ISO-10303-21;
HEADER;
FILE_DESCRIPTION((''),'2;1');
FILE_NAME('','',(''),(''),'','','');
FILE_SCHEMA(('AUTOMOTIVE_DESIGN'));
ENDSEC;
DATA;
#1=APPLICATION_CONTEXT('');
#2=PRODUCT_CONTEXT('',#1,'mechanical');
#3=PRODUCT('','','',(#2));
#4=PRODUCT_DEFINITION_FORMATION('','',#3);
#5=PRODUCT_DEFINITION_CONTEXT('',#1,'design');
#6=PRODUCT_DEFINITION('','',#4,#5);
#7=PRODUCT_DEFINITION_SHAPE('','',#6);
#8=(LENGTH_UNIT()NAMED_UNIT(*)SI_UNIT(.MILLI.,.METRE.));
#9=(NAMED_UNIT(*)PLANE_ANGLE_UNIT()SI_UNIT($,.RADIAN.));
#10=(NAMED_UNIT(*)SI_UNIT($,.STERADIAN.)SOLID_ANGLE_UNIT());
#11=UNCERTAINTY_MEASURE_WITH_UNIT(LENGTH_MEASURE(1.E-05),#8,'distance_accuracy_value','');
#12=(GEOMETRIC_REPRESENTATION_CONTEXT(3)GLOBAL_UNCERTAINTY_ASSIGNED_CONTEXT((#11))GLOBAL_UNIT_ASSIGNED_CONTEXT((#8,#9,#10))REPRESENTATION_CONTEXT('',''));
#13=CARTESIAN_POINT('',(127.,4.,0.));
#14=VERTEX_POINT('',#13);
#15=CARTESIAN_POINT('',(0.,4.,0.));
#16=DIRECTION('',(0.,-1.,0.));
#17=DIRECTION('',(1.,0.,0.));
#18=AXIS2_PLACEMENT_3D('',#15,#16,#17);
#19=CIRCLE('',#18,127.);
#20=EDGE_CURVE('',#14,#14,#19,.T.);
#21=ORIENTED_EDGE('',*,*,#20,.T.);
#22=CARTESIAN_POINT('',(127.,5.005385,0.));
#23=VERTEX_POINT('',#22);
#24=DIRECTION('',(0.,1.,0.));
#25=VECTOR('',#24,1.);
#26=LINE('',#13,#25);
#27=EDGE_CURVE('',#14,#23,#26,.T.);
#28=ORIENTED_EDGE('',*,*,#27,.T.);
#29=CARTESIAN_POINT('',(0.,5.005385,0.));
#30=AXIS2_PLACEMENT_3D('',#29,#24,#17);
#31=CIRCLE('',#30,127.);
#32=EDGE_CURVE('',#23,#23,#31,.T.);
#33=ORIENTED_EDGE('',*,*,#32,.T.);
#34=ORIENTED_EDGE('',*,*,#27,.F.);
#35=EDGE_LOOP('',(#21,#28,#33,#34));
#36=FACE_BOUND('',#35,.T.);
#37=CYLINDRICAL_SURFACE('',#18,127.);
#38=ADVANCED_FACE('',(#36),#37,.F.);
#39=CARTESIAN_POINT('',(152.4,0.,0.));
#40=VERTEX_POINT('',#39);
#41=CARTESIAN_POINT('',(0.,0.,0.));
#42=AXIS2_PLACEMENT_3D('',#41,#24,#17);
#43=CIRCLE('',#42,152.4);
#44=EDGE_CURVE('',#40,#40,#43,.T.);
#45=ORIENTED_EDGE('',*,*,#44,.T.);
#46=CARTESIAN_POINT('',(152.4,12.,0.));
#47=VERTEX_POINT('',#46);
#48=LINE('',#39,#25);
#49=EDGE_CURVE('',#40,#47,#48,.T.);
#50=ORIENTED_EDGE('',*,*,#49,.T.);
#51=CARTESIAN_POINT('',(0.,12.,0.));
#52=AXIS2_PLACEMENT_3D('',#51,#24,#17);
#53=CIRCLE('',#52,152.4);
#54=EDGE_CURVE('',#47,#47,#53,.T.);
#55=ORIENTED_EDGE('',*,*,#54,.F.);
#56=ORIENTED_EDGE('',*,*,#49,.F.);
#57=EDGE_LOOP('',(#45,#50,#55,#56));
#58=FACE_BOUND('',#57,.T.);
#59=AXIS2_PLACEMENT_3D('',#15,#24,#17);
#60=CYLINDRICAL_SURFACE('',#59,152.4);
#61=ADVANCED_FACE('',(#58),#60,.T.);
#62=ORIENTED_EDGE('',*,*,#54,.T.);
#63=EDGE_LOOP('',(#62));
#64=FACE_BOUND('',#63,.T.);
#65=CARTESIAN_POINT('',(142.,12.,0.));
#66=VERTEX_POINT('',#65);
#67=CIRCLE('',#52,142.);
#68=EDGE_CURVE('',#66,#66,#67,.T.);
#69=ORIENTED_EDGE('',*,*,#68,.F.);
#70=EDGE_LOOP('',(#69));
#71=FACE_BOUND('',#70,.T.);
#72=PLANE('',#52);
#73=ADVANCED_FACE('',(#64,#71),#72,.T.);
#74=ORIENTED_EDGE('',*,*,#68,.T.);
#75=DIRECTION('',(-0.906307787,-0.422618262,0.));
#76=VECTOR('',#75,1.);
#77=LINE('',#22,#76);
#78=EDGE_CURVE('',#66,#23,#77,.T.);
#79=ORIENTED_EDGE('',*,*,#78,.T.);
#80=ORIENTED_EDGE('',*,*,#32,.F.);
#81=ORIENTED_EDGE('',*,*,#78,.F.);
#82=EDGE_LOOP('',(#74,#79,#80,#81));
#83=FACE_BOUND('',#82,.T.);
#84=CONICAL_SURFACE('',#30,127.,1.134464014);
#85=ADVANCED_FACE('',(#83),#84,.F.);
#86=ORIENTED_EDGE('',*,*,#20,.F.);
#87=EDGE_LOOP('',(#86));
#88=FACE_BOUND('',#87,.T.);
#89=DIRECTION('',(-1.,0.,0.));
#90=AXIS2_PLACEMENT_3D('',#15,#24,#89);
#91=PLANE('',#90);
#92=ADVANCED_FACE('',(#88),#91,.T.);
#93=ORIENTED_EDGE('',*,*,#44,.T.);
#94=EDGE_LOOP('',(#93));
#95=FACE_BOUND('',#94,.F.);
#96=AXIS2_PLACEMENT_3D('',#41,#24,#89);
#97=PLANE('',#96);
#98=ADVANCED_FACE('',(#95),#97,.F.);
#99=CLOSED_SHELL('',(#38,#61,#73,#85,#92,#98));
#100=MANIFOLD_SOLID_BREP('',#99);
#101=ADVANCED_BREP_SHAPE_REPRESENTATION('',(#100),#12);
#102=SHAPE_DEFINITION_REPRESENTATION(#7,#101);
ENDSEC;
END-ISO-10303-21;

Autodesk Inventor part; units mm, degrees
ref_plane "YZ Plane" through (0, 0, 0) normal (1, 0, 0) x (0, 1, 0)
ref_plane "XZ Plane" through (0, 0, 0) normal (0, 1, 0) x (-1, 0, 0)
ref_plane "XY Plane" through (0, 0, 0) normal (0, 0, 1) x (1, 0, 0)
sketch "Sketch1" plane through (0, 0, 0) normal (0, 1, 0) x (-1, 0, 0)
  circle A0 centre (0, 0) radius 127
  dimension "d0" = 254
extrude "Extrusion1" add sketch "Sketch1" along normal blind 4
sketch "Sketch2" plane through (0, 4, 0) normal (0, 1, 0) x (1, 0, 0)
  circle A0 centre (0, 0) radius 152.4
  circle A1 centre (0, 0) radius 127 projected
  circle A2 centre (0, 0) radius 127 projected
  dimension "d3" = 304.8
extrude "Extrusion2" add sketch "Sketch2" along normal blind 8 and the other way blind 4
chamfer "Chamfer1" distance 15 angle 25 1 edges at (-127, 12, 0) measured on face at (-143.6873, 12, -2.6061)
properties part number "Placeholder_plate"
